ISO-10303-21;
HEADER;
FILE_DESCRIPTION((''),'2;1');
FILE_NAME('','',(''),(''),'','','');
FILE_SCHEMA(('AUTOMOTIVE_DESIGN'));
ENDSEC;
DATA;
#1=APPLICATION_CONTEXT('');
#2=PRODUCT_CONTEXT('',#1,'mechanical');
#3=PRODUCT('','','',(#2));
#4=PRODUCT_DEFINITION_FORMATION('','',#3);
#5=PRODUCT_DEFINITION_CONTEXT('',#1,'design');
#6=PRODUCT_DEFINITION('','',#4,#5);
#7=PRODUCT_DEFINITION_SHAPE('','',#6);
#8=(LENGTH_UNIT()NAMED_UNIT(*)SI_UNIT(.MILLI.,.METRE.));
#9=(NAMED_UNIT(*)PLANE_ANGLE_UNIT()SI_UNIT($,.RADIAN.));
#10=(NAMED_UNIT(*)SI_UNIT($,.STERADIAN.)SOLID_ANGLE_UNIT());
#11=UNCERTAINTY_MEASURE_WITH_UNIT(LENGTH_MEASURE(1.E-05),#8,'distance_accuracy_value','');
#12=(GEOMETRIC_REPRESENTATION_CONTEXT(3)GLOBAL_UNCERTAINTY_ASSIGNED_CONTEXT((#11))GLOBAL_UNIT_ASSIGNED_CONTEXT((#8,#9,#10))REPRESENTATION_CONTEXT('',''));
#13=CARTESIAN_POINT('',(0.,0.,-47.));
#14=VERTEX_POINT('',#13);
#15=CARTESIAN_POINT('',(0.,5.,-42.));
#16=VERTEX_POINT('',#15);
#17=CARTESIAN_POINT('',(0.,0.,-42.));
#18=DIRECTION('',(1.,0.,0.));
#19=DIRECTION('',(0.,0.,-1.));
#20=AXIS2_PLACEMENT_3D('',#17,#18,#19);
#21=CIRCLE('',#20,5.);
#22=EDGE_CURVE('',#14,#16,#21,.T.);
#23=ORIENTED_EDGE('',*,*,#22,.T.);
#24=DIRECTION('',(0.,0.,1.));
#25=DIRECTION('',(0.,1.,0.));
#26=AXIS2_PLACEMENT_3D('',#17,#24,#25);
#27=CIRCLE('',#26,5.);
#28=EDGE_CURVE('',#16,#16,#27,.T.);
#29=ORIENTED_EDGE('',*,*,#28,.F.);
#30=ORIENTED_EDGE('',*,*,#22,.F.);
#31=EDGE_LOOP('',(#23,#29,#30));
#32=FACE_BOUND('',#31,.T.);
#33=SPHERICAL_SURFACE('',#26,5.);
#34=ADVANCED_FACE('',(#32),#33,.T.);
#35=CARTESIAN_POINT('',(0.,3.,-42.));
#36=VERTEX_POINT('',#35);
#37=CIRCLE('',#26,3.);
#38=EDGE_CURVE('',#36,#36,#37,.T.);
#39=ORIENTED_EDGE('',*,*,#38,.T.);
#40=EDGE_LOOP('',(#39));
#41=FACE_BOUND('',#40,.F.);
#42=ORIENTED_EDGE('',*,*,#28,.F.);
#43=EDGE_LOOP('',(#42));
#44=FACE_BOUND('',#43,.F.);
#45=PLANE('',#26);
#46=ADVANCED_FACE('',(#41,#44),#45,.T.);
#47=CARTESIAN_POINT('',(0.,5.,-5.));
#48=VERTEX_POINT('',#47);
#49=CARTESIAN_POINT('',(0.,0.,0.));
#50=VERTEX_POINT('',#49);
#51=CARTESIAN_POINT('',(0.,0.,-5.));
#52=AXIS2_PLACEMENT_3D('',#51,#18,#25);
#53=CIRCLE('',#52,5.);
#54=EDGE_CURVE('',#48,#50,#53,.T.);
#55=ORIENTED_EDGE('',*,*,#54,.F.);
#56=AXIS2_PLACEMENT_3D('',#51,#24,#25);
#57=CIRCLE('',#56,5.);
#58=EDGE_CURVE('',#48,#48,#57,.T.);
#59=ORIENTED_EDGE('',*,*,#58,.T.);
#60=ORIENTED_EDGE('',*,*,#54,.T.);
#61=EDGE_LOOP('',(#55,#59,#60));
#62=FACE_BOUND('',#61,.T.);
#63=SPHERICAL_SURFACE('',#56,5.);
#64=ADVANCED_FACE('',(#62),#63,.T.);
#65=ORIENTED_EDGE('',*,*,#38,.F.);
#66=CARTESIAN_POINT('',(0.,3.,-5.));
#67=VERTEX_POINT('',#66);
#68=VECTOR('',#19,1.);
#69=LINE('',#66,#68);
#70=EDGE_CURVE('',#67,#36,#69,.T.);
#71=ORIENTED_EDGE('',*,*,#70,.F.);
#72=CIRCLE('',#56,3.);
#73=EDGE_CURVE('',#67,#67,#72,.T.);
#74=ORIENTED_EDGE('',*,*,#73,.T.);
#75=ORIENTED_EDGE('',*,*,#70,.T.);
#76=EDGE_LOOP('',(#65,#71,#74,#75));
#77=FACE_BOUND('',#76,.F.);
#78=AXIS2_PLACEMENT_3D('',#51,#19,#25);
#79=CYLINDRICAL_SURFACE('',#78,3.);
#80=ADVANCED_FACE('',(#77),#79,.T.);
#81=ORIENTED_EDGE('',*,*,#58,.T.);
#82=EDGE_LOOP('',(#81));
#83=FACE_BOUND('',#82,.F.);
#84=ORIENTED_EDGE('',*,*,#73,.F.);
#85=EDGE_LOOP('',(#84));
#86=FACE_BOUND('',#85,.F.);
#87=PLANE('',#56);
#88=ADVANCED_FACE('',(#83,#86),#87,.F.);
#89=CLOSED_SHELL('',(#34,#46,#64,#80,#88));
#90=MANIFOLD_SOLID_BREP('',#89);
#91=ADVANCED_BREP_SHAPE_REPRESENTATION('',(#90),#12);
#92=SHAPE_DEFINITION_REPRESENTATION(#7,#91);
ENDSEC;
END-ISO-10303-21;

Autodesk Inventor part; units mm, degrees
ref_plane "YZ Plane" through (0, 0, 0) normal (1, 0, 0) x (0, 1, 0)
ref_plane "XZ Plane" through (0, 0, 0) normal (0, 1, 0) x (-1, 0, 0)
ref_plane "XY Plane" through (0, 0, 0) normal (0, 0, 1) x (1, 0, 0)
sketch "Sketch1" plane through (0, 0, 0) normal (1, 0, 0) x (0, 1, 0)
  line L0 (0, 0) -> (0, 0)
  line L1 (0, 0) -> (0, 0) construction
  line L2 (5, -5) -> (5, -5)
  line L3 (5, -5) -> (3, -5)
  line L4 (3, -5) -> (3, -42)
  line L5 (3, -42) -> (5, -42)
  line L6 (5, -42) -> (5, -42)
  line L7 (0, -47) -> (0, -47)
  line L8 (0, -47) -> (0, 0)
  arc A0 (5, -5) -> (0, 0) centre (0, -5) ccw
  arc A1 (0, -47) -> (5, -42) centre (0, -42) ccw
  point P0 (5, 0)
  point P1 (5, -47)
  dimension "d4" = 5
  dimension "d5" = 0
  dimension "d6" = 5
  dimension "d7" = 2
  dimension "d8" = 37
  dimension "d9" = 90
  dimension "d10" = 2
  dimension "d11" = 5
  dimension "d12" = 5
  dimension "d13" = 5
revolve "Revolution1" add sketch "Sketch1" angle 360 about axis through (0, 0, -47) along (0, 0, 1)
properties part number "atividade_14A_pino37"
